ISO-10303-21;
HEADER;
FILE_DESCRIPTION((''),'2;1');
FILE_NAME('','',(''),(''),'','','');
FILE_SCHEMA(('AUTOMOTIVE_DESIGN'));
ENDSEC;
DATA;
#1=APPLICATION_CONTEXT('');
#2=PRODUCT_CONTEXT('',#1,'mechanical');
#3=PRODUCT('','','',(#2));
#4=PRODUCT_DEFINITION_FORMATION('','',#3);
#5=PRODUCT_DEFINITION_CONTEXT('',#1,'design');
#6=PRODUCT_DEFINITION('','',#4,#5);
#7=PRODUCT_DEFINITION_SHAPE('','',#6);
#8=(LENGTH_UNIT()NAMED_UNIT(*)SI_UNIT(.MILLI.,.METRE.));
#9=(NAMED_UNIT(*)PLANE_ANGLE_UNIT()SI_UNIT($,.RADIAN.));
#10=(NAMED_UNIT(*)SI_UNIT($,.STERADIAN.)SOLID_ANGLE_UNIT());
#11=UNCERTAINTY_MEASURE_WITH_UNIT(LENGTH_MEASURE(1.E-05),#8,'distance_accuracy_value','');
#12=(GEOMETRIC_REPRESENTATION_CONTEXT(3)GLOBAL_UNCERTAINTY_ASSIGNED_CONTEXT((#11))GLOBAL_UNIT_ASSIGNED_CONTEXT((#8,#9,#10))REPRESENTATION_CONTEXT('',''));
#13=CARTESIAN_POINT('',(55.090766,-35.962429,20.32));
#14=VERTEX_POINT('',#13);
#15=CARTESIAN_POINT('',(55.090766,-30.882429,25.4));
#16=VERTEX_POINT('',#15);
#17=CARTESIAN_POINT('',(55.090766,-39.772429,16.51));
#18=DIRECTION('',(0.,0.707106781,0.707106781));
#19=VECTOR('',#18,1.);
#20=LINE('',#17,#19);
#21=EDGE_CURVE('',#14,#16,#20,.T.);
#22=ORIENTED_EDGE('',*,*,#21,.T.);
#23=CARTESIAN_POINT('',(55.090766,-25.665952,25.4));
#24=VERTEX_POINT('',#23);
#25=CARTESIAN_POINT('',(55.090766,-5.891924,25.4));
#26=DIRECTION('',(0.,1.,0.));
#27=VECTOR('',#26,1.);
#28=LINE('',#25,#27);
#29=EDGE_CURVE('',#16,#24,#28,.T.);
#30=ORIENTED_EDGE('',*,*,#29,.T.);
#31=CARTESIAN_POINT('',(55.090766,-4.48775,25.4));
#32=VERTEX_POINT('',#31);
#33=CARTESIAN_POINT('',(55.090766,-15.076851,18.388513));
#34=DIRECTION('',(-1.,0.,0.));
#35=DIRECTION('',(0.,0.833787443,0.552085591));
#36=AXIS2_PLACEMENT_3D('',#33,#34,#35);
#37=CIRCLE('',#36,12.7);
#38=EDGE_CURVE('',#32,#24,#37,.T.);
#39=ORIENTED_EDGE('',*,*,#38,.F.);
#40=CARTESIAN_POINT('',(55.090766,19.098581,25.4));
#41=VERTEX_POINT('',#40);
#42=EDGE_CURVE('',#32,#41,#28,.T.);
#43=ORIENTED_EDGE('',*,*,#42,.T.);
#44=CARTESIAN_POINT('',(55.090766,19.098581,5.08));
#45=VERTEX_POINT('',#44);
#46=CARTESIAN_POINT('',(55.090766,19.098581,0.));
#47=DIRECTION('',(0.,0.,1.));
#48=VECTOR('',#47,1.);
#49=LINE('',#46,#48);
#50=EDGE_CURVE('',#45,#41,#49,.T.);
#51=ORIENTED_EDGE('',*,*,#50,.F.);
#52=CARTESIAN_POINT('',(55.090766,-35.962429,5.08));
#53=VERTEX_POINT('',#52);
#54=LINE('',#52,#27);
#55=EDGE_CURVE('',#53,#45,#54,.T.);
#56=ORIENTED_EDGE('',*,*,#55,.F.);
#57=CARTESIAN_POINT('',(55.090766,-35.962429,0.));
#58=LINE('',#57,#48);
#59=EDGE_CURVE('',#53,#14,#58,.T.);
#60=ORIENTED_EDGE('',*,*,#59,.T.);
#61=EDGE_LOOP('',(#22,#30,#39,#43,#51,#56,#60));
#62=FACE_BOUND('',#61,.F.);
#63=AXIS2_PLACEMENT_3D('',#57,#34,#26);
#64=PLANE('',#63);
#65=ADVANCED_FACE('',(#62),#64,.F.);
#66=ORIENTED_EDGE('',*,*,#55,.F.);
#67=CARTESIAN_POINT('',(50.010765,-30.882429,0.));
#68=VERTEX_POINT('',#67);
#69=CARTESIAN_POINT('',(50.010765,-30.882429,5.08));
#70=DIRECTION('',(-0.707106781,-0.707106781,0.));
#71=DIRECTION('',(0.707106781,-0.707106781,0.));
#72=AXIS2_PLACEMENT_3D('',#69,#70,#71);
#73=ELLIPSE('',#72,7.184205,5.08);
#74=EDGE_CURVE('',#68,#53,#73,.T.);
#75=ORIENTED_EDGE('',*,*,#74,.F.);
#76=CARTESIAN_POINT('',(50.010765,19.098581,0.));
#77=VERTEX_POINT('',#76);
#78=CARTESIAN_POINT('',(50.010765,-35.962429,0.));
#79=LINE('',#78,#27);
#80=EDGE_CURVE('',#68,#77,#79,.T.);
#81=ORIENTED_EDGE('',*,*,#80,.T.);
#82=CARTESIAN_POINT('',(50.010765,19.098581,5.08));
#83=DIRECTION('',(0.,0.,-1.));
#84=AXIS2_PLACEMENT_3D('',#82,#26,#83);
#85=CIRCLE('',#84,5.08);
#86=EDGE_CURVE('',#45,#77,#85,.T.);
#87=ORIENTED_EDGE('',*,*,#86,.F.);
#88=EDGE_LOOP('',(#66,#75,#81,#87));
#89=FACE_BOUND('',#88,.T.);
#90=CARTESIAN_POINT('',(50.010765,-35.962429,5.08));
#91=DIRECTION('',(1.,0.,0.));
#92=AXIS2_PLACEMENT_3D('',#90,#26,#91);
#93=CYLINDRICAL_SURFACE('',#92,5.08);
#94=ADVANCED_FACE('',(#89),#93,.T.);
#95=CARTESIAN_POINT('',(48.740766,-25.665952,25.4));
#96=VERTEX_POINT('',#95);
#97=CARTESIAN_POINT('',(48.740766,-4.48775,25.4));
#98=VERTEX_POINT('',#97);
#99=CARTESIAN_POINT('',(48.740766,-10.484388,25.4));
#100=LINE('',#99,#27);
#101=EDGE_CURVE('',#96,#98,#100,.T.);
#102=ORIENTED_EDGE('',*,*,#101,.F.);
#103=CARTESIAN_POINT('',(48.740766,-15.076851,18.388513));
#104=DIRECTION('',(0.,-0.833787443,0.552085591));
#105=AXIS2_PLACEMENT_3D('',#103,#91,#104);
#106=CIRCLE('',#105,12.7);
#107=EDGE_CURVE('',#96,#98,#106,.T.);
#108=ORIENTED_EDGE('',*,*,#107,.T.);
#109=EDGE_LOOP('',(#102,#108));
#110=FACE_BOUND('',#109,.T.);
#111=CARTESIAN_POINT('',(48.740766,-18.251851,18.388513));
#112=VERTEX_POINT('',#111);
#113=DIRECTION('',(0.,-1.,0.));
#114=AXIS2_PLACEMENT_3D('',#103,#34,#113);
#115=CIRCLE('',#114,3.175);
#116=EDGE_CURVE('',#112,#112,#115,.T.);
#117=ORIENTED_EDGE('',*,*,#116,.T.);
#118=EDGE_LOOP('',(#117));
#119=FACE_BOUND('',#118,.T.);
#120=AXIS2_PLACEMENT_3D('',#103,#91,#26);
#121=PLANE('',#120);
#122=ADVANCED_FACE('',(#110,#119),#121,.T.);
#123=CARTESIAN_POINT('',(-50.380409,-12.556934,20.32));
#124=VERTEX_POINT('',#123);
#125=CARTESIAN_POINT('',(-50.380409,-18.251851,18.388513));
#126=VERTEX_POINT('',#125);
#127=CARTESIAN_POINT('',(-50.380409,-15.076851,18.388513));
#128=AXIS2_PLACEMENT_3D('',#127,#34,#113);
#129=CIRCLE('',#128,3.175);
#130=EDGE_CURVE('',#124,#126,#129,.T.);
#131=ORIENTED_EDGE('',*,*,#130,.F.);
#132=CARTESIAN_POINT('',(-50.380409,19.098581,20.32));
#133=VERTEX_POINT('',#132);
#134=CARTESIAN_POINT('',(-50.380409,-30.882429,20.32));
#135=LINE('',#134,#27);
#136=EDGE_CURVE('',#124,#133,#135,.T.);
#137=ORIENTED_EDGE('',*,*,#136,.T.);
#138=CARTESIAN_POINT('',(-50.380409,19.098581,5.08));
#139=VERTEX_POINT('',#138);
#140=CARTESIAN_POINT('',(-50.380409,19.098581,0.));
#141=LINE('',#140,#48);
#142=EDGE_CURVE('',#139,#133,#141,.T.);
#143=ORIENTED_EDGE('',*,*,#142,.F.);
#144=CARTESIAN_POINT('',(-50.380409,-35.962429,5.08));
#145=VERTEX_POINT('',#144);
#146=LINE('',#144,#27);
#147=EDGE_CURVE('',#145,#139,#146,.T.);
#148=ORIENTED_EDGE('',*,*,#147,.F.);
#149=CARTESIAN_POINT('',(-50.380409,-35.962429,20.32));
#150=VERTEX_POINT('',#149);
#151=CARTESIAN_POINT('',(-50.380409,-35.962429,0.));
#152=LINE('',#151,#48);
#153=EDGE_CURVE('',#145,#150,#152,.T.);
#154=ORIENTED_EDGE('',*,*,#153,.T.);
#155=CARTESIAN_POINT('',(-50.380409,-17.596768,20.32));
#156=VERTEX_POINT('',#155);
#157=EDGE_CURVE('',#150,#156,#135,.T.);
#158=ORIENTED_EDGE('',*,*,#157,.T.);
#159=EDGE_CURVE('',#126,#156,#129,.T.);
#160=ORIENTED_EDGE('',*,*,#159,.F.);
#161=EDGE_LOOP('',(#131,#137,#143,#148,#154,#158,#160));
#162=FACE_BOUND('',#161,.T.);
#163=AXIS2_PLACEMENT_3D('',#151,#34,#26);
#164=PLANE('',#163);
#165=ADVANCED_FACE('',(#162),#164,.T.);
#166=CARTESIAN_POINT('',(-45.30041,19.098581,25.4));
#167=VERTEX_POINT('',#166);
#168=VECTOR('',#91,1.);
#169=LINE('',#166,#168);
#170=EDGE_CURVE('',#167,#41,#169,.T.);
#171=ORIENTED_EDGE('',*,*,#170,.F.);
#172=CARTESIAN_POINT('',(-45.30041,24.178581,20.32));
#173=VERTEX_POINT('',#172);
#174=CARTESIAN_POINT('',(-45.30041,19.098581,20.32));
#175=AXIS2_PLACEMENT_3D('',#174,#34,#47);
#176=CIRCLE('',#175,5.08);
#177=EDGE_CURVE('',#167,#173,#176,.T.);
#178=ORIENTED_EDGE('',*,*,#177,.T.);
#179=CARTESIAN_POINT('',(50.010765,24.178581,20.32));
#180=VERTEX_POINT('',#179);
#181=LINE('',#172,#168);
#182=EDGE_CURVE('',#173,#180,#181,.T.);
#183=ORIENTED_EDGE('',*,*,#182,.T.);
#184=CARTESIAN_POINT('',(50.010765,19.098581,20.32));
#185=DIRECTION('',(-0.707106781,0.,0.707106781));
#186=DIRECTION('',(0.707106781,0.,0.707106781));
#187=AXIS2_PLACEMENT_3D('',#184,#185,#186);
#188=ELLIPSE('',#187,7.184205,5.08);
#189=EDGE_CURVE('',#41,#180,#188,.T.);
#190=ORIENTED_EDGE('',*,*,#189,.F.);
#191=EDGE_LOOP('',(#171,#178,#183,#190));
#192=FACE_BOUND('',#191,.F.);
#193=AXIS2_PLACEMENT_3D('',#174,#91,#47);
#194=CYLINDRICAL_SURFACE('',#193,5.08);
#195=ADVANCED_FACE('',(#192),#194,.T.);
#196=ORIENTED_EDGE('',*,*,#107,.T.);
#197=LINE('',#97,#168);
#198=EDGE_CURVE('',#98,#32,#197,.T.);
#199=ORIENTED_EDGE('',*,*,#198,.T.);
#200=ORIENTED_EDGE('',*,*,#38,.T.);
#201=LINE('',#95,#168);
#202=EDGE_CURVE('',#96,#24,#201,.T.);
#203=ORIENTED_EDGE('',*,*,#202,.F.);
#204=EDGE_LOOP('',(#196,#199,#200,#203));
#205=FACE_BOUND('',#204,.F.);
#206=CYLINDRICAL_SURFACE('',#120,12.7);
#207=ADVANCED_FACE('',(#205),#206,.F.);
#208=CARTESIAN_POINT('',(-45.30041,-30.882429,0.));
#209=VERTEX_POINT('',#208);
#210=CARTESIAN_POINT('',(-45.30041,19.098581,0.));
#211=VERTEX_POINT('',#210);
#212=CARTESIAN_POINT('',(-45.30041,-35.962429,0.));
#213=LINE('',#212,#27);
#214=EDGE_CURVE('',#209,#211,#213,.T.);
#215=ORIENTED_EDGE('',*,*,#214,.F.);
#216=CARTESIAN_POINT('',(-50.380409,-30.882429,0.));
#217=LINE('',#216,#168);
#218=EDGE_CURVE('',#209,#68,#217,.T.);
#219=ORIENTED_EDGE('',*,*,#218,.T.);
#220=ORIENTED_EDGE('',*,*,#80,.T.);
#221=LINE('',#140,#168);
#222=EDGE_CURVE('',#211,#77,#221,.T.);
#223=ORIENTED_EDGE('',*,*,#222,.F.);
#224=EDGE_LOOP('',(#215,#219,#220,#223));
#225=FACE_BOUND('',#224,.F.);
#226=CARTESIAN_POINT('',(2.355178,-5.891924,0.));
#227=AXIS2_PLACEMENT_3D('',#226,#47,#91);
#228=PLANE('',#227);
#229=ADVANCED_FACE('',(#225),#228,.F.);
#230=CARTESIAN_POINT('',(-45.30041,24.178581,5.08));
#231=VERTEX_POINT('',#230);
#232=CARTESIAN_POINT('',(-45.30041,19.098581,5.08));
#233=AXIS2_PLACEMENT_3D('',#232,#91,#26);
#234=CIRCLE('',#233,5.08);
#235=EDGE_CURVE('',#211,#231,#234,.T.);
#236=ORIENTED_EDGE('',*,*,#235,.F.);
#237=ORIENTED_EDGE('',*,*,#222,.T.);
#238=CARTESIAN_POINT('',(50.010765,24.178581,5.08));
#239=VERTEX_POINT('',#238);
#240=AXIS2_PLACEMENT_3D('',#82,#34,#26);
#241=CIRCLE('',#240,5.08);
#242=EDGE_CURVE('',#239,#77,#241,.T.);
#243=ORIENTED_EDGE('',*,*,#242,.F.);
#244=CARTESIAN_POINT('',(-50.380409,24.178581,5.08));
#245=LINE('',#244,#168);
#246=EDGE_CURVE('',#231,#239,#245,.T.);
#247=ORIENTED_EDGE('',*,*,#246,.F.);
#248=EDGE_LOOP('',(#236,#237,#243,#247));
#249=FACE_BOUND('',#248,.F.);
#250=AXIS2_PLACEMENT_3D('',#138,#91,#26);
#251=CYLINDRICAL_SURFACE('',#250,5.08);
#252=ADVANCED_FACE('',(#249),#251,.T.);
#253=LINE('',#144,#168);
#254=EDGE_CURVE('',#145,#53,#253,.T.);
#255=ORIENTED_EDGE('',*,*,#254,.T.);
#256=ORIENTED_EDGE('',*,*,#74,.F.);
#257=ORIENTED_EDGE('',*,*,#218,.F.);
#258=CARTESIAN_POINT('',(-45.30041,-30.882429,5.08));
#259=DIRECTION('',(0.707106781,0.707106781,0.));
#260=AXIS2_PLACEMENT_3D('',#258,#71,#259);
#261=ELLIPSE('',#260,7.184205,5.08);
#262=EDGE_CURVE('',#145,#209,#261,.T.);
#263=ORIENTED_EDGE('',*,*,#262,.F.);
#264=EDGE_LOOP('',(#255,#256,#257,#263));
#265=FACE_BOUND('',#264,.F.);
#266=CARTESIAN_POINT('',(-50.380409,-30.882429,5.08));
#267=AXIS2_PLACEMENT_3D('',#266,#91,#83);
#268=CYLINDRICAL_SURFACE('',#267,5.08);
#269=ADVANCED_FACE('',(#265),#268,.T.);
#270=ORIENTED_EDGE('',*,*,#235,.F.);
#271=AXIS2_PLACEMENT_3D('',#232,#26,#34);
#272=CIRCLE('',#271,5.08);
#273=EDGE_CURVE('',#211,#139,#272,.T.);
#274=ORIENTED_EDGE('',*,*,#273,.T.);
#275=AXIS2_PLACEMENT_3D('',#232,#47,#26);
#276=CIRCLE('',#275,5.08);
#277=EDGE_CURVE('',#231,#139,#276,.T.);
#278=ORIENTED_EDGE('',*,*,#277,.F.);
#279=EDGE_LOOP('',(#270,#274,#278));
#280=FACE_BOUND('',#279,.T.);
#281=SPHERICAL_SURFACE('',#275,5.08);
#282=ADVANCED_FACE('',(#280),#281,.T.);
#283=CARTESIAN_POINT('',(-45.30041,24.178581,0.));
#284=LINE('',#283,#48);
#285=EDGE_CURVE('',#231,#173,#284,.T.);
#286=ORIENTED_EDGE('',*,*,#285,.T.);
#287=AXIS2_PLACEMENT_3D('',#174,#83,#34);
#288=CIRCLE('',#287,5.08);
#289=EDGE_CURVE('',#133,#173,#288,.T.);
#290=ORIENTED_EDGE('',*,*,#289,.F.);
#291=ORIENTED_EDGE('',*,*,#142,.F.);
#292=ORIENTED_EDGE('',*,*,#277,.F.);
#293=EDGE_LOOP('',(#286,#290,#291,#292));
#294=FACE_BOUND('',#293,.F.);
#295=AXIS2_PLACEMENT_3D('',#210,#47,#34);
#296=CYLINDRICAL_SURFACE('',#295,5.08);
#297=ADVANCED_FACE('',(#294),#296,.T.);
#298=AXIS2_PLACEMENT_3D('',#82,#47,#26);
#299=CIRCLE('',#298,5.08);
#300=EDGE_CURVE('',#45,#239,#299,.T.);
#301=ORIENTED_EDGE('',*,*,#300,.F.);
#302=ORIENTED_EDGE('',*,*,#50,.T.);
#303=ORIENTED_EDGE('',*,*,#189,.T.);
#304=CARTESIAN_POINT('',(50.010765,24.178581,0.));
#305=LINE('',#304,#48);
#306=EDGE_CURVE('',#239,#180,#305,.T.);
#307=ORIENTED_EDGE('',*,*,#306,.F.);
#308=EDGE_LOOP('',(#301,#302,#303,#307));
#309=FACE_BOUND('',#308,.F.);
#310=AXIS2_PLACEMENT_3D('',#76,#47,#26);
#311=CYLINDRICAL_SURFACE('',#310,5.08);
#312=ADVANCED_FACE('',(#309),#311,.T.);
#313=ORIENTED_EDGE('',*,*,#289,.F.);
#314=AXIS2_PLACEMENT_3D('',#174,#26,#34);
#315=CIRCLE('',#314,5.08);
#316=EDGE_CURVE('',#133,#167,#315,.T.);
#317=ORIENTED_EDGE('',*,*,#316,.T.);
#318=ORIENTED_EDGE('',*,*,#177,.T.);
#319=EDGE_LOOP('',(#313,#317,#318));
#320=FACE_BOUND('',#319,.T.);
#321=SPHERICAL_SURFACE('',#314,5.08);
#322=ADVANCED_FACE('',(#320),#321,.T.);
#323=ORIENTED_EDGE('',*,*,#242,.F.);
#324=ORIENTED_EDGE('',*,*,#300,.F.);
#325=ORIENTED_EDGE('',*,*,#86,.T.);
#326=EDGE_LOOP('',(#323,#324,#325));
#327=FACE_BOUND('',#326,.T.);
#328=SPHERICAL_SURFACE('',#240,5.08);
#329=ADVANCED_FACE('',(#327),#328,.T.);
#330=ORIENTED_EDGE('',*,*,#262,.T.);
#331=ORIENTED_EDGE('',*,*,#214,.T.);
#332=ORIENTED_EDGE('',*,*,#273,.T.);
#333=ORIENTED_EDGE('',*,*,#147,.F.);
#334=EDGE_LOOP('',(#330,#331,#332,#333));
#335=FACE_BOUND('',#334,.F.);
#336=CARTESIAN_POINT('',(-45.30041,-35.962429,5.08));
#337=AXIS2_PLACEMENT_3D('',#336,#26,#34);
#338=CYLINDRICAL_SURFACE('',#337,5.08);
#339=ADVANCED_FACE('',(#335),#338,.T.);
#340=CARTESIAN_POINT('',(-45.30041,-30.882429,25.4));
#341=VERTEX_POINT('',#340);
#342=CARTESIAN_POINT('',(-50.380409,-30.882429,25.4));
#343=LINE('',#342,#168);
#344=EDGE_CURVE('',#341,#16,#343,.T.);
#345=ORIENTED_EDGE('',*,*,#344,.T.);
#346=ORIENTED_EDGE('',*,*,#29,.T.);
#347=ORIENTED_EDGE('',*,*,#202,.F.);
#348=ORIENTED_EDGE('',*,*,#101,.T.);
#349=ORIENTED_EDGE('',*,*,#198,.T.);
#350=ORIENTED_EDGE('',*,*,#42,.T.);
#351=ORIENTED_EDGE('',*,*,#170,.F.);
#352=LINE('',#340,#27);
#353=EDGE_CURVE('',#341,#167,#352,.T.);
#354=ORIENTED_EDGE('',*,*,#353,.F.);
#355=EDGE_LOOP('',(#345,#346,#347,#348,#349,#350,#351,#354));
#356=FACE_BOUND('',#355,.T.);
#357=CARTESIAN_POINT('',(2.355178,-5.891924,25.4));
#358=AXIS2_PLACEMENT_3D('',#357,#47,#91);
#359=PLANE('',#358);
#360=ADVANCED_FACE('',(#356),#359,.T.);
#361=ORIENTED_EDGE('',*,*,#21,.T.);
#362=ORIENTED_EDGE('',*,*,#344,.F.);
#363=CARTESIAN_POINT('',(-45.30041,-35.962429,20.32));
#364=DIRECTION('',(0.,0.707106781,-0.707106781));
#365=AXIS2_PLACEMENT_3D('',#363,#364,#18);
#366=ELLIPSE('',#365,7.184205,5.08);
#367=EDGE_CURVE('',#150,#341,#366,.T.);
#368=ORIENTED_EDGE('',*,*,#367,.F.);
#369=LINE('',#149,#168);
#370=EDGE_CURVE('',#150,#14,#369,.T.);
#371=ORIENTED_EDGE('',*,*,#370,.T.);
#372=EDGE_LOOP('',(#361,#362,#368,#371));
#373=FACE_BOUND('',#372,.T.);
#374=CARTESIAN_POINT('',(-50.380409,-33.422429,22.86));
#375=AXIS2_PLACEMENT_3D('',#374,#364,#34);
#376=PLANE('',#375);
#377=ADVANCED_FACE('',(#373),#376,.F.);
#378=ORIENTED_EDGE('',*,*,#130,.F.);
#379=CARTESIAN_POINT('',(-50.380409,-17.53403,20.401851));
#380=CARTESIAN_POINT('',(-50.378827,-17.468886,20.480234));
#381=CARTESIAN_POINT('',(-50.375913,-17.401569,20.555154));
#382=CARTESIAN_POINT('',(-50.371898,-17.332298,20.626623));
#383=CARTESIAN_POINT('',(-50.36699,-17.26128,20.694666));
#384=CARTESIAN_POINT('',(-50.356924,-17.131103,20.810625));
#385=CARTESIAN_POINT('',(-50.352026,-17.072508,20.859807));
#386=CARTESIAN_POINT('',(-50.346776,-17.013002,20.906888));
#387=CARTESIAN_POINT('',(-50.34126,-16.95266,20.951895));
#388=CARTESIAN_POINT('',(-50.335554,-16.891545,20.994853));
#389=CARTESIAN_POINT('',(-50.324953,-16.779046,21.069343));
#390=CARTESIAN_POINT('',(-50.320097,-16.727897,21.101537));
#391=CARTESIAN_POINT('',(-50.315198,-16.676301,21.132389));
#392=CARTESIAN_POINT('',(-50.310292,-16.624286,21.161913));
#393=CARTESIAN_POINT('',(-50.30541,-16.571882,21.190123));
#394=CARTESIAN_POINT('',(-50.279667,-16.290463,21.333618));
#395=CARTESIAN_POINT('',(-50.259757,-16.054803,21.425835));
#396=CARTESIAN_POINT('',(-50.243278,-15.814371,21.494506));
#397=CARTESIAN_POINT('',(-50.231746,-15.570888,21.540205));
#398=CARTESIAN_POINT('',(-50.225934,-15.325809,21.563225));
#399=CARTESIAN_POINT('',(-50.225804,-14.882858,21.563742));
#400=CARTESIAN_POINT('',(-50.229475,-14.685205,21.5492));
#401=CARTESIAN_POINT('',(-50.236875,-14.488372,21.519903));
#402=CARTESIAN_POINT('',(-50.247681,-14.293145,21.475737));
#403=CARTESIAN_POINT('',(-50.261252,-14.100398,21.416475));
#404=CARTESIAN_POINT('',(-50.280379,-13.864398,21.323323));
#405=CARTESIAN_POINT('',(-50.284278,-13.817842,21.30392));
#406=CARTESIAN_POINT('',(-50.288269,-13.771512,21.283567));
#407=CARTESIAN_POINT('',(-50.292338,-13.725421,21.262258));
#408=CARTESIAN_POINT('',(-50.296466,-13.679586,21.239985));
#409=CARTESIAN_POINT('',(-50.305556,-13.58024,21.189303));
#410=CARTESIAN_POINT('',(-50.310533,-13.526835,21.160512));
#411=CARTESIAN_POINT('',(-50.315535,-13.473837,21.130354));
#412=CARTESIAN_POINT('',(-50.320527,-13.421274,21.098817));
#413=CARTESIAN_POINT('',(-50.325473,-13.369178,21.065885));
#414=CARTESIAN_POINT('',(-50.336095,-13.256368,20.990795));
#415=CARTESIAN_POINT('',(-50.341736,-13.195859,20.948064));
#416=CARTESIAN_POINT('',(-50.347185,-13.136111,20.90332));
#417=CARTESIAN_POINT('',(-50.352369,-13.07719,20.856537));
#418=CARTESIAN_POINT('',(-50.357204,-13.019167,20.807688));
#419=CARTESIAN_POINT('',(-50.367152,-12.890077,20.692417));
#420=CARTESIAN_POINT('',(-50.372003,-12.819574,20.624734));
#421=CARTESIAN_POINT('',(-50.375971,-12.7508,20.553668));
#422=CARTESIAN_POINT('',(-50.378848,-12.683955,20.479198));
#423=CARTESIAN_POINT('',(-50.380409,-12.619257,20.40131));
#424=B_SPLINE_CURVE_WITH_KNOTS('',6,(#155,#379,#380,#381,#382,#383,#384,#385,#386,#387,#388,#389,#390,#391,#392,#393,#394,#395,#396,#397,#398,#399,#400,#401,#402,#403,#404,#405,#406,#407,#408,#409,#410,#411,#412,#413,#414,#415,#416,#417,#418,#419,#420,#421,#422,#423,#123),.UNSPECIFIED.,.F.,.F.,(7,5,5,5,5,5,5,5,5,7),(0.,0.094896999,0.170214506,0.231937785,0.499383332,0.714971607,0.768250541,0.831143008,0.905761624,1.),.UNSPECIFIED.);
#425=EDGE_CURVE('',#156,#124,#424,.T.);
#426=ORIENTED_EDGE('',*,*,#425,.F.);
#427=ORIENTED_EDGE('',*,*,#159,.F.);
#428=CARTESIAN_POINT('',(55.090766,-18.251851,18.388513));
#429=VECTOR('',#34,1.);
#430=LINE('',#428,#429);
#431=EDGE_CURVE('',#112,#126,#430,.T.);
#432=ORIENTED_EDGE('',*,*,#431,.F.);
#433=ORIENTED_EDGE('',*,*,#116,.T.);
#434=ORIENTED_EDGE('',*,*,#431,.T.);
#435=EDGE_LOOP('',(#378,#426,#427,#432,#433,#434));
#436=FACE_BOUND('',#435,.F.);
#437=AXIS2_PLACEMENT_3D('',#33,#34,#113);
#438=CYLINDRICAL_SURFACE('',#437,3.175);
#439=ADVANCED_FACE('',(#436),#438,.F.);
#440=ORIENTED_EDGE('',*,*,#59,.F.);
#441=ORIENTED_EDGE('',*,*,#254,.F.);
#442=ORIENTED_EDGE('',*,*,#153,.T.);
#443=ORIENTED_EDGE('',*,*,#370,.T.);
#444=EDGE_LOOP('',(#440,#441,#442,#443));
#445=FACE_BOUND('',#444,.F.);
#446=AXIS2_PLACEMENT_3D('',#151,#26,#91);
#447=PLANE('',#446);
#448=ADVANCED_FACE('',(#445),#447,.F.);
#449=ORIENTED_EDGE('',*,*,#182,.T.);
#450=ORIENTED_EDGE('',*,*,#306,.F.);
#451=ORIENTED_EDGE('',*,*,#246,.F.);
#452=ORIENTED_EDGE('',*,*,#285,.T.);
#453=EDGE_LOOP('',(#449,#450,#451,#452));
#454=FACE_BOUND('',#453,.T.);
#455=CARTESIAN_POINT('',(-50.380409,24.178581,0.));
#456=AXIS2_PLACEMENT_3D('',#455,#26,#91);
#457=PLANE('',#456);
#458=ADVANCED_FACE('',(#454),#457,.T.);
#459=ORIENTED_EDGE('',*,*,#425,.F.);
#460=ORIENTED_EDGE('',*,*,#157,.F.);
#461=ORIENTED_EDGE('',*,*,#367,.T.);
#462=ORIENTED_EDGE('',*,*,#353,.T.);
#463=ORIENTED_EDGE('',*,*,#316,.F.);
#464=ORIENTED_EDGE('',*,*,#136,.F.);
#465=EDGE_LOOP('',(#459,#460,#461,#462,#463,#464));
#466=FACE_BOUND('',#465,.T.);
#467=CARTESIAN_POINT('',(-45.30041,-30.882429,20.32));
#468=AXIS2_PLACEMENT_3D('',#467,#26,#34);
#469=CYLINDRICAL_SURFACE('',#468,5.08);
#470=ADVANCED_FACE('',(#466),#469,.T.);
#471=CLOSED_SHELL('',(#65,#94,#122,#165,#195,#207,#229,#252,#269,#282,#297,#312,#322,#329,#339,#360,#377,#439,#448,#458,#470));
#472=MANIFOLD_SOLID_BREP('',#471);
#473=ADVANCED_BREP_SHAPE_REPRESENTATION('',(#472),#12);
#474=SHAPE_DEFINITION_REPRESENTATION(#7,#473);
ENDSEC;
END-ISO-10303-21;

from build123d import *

# Parameters (mm, degrees)
F0_W           = 105.471175
F0_H           = 60.14101
F1_DEPTH       = 25.4
F2_SIZE        = 5.08
F3_R           = 5.08
F5_D           = 6.35
F5_CBORE_D     = 25.4
F5_CBORE_DEPTH = 6.35
F6_R           = 5.08


with BuildPart() as f1:
    # F0 (on Top) → F1 (new body)
    with BuildSketch(Plane.XY):
        with Locations((2.355178, -5.891924)):
            Rectangle(F0_W, F0_H)
    extrude(amount=F1_DEPTH)

    # F2
    f2_edges = [f1.edges().sort_by_distance(p)[0] for p in [
        (2.355179, -35.962429, 25.4),
    ]]
    chamfer(f2_edges, length=F2_SIZE)

    # F3
    f3_edges = [f1.edges().sort_by_distance(p)[0] for p in [
        (-50.380409, -3.351924, 25.4),
    ]]
    fillet(f3_edges, radius=F3_R)

    # F5 (through all)
    with Locations(Plane.YZ.offset(55.090766)):
        with Locations((-15.076851, 18.388513)):
            CounterBoreHole(F5_D / 2, F5_CBORE_D / 2, F5_CBORE_DEPTH)

    # F6
    f6_edges = [f1.edges().sort_by_distance(p)[0] for p in [
        (-50.380409, 24.178581, 10.16),
        (-48.892511, 24.178581, 23.912102),
        (2.355179, 24.178581, 0),
        (4.895179, 24.178581, 25.4),
        (55.090766, 24.178581, 12.7),
        (-50.380409, -5.891924, 0),
        (2.355179, -35.962429, 0),
        (55.090766, -5.891924, 0),
    ]]
    fillet(f6_edges, radius=F6_R)


solid = f1.part
